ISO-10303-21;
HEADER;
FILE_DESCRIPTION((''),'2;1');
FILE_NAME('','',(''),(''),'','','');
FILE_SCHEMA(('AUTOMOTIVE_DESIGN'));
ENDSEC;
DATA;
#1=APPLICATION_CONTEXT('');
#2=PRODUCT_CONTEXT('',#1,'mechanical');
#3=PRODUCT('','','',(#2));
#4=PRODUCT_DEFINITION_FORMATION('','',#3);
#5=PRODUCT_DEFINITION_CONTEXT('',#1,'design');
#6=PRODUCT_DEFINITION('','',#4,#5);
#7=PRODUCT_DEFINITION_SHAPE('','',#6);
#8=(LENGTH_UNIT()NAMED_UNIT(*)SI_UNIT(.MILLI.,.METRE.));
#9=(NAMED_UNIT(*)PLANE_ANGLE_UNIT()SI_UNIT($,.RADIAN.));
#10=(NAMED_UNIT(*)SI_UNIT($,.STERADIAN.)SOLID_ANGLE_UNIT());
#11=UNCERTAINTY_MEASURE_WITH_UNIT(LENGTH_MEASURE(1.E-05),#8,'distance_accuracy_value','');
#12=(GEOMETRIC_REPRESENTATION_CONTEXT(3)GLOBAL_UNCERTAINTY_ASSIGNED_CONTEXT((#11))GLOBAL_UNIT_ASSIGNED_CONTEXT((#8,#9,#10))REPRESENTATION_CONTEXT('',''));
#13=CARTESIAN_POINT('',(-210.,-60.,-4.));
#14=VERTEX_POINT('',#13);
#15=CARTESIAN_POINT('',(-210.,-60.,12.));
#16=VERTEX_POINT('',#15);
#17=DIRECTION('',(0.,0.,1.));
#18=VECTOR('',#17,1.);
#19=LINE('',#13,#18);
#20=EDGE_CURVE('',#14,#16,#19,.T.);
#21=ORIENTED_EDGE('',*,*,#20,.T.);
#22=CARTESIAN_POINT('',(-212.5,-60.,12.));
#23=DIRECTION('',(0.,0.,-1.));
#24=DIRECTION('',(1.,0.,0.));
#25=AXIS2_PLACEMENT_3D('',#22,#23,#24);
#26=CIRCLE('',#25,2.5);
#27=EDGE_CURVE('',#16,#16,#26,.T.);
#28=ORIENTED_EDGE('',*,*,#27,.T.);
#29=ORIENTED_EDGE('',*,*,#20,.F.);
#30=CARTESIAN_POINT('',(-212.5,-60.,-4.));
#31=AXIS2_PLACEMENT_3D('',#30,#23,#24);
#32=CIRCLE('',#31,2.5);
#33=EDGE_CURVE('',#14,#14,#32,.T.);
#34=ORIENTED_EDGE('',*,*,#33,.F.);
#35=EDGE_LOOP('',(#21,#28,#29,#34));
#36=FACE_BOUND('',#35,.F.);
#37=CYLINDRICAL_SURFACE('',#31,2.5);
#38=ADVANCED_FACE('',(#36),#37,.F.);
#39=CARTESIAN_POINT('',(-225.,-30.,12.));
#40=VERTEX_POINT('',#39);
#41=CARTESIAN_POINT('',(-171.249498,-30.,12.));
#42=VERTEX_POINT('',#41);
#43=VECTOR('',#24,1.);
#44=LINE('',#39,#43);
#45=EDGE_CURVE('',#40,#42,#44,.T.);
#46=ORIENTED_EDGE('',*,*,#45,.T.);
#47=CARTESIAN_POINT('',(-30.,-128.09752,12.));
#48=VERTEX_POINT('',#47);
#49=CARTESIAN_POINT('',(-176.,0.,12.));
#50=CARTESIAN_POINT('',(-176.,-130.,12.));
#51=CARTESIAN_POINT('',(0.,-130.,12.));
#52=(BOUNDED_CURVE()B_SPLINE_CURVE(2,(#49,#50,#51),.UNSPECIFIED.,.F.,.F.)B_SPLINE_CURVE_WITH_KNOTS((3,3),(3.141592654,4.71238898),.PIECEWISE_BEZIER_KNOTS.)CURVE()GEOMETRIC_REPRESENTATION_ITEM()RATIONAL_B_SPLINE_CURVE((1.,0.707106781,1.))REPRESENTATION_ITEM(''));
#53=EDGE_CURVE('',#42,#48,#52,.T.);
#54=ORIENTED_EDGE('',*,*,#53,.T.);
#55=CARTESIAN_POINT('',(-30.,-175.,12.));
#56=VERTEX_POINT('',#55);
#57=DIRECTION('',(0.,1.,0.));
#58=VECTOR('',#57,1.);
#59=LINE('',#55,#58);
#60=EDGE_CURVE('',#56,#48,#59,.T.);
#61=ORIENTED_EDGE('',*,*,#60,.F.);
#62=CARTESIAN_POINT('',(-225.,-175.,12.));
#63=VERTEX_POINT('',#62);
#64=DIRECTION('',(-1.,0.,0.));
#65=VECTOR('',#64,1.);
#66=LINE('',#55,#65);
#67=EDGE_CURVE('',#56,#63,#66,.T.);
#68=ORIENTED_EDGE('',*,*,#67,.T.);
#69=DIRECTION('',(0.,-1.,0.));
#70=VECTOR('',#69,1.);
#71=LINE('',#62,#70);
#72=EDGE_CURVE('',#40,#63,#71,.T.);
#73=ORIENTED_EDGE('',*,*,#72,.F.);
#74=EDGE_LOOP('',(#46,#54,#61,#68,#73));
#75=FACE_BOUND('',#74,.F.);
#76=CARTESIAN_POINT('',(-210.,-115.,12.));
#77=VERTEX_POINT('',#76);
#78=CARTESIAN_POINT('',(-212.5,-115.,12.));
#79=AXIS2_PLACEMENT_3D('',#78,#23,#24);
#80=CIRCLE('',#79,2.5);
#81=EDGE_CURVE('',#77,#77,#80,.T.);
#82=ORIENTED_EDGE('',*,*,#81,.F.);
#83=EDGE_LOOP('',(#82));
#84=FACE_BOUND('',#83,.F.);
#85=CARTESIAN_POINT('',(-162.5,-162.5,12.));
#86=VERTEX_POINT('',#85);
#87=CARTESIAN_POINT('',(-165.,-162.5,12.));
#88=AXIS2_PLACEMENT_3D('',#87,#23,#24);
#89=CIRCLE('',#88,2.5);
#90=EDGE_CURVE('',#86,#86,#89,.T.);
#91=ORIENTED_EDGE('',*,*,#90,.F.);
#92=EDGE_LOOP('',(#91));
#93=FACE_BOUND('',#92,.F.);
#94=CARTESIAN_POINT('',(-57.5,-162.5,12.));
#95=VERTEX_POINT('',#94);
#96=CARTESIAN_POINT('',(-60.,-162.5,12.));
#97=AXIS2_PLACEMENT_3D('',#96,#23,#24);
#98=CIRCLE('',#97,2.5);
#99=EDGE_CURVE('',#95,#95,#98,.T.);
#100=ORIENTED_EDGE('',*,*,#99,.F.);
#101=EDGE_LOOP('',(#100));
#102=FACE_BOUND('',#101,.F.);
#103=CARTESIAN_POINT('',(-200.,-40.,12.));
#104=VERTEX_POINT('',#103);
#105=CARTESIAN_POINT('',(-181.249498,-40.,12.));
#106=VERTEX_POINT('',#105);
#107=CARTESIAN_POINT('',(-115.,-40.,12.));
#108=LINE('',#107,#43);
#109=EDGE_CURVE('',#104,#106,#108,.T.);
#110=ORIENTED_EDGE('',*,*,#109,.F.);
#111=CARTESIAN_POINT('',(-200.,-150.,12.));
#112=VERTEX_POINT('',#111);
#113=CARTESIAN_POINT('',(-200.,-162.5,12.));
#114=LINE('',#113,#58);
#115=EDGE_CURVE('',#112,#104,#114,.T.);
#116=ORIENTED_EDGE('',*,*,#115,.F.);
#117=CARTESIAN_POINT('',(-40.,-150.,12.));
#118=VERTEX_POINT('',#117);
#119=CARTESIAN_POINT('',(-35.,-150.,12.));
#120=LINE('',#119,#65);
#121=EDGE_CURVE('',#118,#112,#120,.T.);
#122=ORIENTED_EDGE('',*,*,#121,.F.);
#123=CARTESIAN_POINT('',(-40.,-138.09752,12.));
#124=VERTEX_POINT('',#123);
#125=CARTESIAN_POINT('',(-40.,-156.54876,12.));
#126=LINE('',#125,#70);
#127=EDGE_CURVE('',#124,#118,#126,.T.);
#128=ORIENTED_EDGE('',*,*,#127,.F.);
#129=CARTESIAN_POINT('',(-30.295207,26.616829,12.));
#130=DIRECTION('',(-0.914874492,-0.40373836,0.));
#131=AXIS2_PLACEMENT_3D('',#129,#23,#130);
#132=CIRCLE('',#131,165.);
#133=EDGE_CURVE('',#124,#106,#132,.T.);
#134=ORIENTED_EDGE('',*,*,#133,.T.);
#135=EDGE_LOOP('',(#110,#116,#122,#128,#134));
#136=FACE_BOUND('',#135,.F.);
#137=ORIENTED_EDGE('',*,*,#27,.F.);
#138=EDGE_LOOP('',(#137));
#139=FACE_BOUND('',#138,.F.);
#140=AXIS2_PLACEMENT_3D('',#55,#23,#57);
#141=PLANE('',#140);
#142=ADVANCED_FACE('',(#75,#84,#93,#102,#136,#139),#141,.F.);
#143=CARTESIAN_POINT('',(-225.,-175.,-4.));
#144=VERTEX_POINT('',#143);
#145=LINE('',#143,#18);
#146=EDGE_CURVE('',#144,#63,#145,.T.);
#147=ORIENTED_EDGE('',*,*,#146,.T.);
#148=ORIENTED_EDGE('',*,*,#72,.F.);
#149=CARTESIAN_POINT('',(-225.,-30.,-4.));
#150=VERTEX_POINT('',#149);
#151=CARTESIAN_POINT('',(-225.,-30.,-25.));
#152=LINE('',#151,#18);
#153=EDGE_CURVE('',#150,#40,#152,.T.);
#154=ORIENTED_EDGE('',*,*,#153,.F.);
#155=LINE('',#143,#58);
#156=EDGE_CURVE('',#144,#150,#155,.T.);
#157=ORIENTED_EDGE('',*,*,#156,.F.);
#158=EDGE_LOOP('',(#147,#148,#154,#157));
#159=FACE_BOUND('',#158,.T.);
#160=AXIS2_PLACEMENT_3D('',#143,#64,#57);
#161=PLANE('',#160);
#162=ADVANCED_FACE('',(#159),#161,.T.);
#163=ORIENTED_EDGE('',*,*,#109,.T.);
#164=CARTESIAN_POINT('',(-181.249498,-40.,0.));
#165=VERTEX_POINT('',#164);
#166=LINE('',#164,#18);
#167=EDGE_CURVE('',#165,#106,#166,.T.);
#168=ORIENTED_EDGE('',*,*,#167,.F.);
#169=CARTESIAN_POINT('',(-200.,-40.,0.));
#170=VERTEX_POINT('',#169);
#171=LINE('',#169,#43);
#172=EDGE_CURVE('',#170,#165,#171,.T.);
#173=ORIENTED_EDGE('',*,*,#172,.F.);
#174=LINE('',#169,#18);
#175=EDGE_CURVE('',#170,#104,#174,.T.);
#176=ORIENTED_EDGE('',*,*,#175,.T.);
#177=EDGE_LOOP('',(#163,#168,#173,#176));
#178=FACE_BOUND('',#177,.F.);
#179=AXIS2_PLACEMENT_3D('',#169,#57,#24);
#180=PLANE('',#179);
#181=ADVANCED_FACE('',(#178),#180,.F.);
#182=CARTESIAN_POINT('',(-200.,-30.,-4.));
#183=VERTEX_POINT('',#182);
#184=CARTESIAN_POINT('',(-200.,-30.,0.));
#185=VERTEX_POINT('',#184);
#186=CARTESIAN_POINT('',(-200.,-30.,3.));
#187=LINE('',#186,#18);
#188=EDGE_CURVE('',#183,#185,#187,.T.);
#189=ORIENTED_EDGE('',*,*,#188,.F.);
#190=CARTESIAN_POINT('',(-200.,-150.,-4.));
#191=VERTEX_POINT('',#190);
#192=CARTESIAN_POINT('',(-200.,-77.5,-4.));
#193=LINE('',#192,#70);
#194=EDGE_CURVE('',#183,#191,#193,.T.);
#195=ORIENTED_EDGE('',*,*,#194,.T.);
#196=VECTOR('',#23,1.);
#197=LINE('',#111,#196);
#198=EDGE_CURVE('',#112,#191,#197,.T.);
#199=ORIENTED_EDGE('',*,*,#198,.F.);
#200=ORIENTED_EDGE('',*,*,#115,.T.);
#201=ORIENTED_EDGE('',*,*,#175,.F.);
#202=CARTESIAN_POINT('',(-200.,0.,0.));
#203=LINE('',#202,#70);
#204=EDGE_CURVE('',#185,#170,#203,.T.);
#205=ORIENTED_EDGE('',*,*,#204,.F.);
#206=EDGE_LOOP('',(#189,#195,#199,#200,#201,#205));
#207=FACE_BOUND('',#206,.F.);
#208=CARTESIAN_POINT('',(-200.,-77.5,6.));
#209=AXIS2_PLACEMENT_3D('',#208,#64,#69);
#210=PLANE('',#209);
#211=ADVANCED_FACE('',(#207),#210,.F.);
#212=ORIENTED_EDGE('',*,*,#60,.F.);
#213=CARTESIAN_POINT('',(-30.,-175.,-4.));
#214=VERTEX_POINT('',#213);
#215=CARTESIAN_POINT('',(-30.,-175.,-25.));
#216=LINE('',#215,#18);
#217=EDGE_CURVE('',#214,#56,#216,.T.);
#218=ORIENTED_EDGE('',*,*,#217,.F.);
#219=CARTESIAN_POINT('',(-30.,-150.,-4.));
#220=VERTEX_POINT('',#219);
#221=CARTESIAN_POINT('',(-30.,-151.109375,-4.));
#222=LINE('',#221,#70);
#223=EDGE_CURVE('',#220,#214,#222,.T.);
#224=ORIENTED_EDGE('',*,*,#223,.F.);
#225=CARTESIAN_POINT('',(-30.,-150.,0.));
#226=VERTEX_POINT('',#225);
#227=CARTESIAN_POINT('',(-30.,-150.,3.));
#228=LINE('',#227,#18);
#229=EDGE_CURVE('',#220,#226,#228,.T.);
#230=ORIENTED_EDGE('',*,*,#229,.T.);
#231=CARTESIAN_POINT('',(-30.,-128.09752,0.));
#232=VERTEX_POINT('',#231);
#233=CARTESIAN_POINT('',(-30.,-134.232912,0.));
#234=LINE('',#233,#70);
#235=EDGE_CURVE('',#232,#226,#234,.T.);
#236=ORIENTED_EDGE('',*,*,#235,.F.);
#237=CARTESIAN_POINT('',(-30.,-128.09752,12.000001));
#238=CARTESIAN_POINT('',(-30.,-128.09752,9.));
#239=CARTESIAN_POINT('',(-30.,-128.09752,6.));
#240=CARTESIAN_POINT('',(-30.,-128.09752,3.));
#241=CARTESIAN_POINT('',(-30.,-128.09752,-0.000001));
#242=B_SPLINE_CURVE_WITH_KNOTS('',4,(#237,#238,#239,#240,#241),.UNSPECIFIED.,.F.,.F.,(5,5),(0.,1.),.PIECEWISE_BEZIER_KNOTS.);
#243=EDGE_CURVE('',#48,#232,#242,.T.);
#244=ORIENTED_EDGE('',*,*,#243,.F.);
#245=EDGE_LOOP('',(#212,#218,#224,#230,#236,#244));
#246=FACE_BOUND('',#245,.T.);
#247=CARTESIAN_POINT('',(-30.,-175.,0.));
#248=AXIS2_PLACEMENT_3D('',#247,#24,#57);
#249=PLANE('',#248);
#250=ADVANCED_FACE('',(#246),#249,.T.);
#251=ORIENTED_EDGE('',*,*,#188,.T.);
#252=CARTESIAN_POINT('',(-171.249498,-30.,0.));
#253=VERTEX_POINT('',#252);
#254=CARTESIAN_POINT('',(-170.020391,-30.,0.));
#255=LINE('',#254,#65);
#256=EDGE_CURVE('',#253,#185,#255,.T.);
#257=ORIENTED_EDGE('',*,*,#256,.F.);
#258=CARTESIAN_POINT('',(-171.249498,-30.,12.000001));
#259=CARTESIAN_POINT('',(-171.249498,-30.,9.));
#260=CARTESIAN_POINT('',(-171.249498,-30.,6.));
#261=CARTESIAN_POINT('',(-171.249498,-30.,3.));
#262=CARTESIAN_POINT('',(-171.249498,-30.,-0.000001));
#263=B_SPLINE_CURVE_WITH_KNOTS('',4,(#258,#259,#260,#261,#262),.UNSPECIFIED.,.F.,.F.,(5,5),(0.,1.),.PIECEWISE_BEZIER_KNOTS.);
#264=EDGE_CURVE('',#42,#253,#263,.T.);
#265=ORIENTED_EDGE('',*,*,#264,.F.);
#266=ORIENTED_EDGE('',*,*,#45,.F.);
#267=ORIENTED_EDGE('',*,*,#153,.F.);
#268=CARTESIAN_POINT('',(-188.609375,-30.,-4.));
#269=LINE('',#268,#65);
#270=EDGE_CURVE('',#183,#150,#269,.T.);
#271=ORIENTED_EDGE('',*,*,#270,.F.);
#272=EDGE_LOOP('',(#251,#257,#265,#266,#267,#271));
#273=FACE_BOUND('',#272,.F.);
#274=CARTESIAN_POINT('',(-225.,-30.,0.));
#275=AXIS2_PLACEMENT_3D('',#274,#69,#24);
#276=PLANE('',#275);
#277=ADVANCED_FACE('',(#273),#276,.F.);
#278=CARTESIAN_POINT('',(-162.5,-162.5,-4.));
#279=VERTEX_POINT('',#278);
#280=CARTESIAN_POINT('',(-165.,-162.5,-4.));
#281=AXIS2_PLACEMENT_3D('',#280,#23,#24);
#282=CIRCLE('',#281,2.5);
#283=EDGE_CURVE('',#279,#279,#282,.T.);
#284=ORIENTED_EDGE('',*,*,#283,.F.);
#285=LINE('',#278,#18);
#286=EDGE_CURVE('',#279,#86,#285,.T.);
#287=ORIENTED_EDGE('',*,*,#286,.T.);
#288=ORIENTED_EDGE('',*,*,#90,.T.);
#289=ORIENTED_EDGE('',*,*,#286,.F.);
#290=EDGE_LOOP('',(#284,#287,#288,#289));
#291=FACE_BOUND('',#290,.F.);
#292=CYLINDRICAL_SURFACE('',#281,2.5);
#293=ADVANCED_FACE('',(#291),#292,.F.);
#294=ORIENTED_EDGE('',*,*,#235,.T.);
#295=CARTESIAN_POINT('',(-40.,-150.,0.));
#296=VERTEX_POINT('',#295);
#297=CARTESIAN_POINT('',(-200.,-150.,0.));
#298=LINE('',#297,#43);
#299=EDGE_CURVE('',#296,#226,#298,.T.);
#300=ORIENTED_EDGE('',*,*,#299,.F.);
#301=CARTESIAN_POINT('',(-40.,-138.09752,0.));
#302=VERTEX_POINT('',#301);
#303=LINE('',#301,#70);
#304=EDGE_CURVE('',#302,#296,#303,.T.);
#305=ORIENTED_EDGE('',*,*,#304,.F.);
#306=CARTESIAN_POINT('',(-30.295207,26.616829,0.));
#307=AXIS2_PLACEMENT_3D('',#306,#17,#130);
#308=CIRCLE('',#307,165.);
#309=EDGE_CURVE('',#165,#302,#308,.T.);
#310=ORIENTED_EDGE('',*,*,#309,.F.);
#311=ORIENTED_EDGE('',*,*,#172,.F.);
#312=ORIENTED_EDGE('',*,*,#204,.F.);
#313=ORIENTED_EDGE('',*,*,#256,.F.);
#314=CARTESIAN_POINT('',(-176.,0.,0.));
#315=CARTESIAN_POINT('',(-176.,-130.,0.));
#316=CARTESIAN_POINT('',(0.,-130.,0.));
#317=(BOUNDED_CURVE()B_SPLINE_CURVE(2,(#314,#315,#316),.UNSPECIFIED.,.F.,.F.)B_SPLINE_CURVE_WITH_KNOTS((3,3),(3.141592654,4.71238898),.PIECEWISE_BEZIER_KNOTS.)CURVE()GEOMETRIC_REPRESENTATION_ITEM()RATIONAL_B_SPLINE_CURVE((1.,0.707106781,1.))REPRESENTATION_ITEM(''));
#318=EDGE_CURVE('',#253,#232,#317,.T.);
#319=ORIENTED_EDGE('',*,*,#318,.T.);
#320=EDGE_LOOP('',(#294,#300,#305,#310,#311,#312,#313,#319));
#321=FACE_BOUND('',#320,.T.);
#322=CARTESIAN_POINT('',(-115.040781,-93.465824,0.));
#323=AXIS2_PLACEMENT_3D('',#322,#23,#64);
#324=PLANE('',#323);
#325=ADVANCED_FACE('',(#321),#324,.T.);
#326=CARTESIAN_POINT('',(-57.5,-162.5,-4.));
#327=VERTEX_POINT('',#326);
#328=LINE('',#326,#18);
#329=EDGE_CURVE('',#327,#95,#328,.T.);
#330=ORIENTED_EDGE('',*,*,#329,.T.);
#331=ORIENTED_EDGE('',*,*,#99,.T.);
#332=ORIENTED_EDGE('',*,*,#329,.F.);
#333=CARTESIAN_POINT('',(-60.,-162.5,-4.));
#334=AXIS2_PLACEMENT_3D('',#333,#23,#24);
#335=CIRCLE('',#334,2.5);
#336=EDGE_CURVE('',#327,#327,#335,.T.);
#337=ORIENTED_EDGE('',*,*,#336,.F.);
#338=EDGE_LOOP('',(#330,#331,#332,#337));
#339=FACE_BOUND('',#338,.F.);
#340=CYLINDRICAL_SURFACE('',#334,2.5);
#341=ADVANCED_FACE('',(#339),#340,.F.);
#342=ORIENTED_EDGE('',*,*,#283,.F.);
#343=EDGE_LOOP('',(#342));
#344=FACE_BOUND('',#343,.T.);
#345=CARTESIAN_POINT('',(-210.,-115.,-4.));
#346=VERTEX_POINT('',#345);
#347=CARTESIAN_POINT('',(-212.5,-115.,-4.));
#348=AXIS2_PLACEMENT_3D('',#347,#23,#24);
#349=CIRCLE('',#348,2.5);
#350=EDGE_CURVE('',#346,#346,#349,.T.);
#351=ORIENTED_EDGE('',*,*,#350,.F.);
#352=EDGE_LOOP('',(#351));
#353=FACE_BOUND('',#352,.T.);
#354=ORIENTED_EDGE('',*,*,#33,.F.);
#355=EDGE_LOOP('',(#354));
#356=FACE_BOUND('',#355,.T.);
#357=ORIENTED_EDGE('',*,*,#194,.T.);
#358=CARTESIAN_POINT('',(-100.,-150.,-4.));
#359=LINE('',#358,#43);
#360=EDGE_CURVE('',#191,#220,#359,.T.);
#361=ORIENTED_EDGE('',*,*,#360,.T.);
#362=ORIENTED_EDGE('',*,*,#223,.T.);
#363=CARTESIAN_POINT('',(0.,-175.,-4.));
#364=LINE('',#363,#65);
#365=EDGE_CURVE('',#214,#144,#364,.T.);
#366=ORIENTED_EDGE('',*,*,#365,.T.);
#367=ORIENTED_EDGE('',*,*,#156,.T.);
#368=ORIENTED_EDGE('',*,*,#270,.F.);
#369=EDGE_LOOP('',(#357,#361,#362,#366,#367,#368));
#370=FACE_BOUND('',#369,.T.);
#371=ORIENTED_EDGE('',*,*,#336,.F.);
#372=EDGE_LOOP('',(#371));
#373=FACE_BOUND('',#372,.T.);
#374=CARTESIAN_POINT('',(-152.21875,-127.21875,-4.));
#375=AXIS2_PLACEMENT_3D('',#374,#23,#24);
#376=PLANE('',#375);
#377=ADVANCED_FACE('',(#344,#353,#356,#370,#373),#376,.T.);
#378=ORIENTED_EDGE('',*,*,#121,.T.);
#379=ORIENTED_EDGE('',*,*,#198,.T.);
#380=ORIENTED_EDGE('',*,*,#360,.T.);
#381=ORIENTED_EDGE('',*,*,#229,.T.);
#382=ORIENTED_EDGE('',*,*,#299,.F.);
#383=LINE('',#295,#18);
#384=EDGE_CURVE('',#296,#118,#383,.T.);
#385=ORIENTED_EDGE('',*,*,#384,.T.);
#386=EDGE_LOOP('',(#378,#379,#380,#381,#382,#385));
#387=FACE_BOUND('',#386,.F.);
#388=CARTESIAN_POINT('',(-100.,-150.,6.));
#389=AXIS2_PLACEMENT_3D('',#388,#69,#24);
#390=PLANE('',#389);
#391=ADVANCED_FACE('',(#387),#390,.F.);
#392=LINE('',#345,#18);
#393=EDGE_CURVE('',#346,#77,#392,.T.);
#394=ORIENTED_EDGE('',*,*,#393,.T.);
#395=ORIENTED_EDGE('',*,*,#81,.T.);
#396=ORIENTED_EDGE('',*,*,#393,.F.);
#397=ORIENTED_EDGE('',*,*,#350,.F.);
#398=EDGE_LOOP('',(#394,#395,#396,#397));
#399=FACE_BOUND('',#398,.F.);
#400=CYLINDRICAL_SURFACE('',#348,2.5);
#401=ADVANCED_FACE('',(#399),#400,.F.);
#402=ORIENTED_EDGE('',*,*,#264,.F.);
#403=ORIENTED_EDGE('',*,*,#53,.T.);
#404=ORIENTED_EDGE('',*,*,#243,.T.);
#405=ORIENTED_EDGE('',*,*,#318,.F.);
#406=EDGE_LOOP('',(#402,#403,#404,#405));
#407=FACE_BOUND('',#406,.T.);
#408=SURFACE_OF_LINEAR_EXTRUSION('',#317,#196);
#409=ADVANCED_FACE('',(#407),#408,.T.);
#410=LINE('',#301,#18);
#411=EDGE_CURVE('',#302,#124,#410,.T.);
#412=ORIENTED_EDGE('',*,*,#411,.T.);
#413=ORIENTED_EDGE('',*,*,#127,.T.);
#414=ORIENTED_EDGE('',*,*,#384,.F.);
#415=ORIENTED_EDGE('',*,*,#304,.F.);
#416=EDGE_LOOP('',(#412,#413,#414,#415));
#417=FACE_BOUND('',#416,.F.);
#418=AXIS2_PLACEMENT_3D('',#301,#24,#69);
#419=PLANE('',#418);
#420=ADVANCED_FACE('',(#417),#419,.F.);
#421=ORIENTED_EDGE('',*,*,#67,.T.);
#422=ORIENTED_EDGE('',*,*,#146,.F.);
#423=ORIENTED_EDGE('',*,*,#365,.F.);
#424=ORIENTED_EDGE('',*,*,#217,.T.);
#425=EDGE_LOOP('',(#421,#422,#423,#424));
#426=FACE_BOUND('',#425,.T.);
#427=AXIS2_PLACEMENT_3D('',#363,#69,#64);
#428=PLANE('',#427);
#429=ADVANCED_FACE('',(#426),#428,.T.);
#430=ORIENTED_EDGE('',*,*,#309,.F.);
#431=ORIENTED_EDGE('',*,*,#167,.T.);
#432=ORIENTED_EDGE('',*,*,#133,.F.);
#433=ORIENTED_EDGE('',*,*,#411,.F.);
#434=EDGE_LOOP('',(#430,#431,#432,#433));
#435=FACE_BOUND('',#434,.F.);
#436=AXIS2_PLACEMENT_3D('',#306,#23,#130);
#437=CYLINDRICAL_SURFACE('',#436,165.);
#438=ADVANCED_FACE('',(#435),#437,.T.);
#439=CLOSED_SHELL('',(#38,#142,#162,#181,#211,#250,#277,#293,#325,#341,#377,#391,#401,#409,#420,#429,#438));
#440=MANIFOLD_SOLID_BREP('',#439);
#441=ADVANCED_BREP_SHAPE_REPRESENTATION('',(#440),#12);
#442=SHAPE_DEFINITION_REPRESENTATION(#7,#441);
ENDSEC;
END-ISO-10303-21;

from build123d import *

# Parameters (mm, degrees)
F1_DEPTH  = 12
F2_W      = 200
F2_H      = 20
F3_DEPTH  = 5
F4_W      = 155
F4_H      = 20
F5_DEPTH  = 5
F6_R      = 2.5
F7_DEPTH  = 25
F9_DEPTH  = 5
F10_W     = 195
F10_H     = 30
F10_W_2   = 30
F10_H_2   = 145
F11_DEPTH = 25
F12_W     = 145
F12_H     = 9
F13_DEPTH = 195.0010001
F15_DEPTH = 25


with BuildPart() as f1:
    # F0 (on Top) → F1 (new body)
    with BuildSketch(Plane.XY):
        with BuildLine():
            add(Edge.make_bspline(
                [(-176, 0), (-176, -130), (0, -130)],
                knots=[3.1415926536, 3.1415926536, 3.1415926536, 4.7123889804, 4.7123889804, 4.7123889804], degree=2, weights=[1, 0.7071067812, 1]))
            Line((-176, 0), (-176, -130))
            Line((-176, -130), (0, -130))
        make_face()
        Polygon((-176, -130), (-176, 0), (-200, 0), (-200, -150), (0, -150), (0, -130), align=None)
    extrude(amount=F1_DEPTH)

    # F2 (on face) → F3 (join)
    with BuildSketch(Plane.XZ.offset(150)):
        with Locations((-100, 6)):
            Rectangle(F2_W, F2_H)
    extrude(amount=F3_DEPTH)

    # F4 (on face) → F5 (join)
    with BuildSketch(Plane(origin=(-200, 0, 0), x_dir=(0, -1, 0), z_dir=(-1, 0, 0))):
        with Locations((77.5, 6)):
            Rectangle(F4_W, F4_H)
    extrude(amount=F5_DEPTH)

    # F6 (on face) → F7 (join)
    with BuildSketch(Plane(origin=(0, 0, -4), x_dir=(1, 0, 0), z_dir=(0, 0, -1))):
        Polygon((0, 155), (0, 175), (-225, 175), (-225, 0), (-205, 0), (-205, 155), align=None)
        with Locations((-212.5, 60)):
            Circle(F6_R, mode=Mode.SUBTRACT)
        with Locations((-212.5, 115)):
            Circle(F6_R, mode=Mode.SUBTRACT)
        with Locations((-165, 162.5)):
            Circle(F6_R, mode=Mode.SUBTRACT)
        with Locations((-60, 162.5)):
            Circle(F6_R, mode=Mode.SUBTRACT)
    extrude(amount=-F7_DEPTH)

    # F8 (on face) → F9 (join)
    with BuildSketch(Plane.XY.offset(16)):
        Polygon((-190, 0), (-205, 0), (-205, -155), (0, -155), (0, -140), (-190, -140), align=None)
    extrude(amount=F9_DEPTH)

    # F10 (on Top) → F11 (cut, symmetric)
    with BuildSketch(Plane.XY):
        with Locations((-127.5, -15)):
            Rectangle(F10_W, F10_H)
        with Locations((-15, -15)):
            Rectangle(F10_W_2, F10_H)
        with Locations((-15, -102.5)):
            Rectangle(F10_W_2, F10_H_2)
    extrude(amount=F11_DEPTH, both=True, mode=Mode.SUBTRACT)

    # F12 (on face) → F13 (cut, through all)
    with BuildSketch(Plane.YZ.offset(-30)):
        with Locations((-102.5, 16.5)):
            Rectangle(F12_W, F12_H)
    extrude(amount=-F13_DEPTH, mode=Mode.SUBTRACT)

    # F14 (on face) → F15 (cut)
    with BuildSketch(Plane(origin=(0, 0, 0), x_dir=(1, 0, 0), z_dir=(0, 0, -1))):
        with BuildLine():
            ThreePointArc((-181.2494979045, 40), (-124.4154289012, 108.9058025162), (-40, 138.0975202339))
            Line((-40, 138.0975202339), (-40, 150))
            Line((-40, 150), (-200, 150))
            Line((-200, 150), (-200, 40))
            Line((-200, 40), (-181.2494979045, 40))
        make_face()
    extrude(amount=-F15_DEPTH, mode=Mode.SUBTRACT)


solid = f1.part
